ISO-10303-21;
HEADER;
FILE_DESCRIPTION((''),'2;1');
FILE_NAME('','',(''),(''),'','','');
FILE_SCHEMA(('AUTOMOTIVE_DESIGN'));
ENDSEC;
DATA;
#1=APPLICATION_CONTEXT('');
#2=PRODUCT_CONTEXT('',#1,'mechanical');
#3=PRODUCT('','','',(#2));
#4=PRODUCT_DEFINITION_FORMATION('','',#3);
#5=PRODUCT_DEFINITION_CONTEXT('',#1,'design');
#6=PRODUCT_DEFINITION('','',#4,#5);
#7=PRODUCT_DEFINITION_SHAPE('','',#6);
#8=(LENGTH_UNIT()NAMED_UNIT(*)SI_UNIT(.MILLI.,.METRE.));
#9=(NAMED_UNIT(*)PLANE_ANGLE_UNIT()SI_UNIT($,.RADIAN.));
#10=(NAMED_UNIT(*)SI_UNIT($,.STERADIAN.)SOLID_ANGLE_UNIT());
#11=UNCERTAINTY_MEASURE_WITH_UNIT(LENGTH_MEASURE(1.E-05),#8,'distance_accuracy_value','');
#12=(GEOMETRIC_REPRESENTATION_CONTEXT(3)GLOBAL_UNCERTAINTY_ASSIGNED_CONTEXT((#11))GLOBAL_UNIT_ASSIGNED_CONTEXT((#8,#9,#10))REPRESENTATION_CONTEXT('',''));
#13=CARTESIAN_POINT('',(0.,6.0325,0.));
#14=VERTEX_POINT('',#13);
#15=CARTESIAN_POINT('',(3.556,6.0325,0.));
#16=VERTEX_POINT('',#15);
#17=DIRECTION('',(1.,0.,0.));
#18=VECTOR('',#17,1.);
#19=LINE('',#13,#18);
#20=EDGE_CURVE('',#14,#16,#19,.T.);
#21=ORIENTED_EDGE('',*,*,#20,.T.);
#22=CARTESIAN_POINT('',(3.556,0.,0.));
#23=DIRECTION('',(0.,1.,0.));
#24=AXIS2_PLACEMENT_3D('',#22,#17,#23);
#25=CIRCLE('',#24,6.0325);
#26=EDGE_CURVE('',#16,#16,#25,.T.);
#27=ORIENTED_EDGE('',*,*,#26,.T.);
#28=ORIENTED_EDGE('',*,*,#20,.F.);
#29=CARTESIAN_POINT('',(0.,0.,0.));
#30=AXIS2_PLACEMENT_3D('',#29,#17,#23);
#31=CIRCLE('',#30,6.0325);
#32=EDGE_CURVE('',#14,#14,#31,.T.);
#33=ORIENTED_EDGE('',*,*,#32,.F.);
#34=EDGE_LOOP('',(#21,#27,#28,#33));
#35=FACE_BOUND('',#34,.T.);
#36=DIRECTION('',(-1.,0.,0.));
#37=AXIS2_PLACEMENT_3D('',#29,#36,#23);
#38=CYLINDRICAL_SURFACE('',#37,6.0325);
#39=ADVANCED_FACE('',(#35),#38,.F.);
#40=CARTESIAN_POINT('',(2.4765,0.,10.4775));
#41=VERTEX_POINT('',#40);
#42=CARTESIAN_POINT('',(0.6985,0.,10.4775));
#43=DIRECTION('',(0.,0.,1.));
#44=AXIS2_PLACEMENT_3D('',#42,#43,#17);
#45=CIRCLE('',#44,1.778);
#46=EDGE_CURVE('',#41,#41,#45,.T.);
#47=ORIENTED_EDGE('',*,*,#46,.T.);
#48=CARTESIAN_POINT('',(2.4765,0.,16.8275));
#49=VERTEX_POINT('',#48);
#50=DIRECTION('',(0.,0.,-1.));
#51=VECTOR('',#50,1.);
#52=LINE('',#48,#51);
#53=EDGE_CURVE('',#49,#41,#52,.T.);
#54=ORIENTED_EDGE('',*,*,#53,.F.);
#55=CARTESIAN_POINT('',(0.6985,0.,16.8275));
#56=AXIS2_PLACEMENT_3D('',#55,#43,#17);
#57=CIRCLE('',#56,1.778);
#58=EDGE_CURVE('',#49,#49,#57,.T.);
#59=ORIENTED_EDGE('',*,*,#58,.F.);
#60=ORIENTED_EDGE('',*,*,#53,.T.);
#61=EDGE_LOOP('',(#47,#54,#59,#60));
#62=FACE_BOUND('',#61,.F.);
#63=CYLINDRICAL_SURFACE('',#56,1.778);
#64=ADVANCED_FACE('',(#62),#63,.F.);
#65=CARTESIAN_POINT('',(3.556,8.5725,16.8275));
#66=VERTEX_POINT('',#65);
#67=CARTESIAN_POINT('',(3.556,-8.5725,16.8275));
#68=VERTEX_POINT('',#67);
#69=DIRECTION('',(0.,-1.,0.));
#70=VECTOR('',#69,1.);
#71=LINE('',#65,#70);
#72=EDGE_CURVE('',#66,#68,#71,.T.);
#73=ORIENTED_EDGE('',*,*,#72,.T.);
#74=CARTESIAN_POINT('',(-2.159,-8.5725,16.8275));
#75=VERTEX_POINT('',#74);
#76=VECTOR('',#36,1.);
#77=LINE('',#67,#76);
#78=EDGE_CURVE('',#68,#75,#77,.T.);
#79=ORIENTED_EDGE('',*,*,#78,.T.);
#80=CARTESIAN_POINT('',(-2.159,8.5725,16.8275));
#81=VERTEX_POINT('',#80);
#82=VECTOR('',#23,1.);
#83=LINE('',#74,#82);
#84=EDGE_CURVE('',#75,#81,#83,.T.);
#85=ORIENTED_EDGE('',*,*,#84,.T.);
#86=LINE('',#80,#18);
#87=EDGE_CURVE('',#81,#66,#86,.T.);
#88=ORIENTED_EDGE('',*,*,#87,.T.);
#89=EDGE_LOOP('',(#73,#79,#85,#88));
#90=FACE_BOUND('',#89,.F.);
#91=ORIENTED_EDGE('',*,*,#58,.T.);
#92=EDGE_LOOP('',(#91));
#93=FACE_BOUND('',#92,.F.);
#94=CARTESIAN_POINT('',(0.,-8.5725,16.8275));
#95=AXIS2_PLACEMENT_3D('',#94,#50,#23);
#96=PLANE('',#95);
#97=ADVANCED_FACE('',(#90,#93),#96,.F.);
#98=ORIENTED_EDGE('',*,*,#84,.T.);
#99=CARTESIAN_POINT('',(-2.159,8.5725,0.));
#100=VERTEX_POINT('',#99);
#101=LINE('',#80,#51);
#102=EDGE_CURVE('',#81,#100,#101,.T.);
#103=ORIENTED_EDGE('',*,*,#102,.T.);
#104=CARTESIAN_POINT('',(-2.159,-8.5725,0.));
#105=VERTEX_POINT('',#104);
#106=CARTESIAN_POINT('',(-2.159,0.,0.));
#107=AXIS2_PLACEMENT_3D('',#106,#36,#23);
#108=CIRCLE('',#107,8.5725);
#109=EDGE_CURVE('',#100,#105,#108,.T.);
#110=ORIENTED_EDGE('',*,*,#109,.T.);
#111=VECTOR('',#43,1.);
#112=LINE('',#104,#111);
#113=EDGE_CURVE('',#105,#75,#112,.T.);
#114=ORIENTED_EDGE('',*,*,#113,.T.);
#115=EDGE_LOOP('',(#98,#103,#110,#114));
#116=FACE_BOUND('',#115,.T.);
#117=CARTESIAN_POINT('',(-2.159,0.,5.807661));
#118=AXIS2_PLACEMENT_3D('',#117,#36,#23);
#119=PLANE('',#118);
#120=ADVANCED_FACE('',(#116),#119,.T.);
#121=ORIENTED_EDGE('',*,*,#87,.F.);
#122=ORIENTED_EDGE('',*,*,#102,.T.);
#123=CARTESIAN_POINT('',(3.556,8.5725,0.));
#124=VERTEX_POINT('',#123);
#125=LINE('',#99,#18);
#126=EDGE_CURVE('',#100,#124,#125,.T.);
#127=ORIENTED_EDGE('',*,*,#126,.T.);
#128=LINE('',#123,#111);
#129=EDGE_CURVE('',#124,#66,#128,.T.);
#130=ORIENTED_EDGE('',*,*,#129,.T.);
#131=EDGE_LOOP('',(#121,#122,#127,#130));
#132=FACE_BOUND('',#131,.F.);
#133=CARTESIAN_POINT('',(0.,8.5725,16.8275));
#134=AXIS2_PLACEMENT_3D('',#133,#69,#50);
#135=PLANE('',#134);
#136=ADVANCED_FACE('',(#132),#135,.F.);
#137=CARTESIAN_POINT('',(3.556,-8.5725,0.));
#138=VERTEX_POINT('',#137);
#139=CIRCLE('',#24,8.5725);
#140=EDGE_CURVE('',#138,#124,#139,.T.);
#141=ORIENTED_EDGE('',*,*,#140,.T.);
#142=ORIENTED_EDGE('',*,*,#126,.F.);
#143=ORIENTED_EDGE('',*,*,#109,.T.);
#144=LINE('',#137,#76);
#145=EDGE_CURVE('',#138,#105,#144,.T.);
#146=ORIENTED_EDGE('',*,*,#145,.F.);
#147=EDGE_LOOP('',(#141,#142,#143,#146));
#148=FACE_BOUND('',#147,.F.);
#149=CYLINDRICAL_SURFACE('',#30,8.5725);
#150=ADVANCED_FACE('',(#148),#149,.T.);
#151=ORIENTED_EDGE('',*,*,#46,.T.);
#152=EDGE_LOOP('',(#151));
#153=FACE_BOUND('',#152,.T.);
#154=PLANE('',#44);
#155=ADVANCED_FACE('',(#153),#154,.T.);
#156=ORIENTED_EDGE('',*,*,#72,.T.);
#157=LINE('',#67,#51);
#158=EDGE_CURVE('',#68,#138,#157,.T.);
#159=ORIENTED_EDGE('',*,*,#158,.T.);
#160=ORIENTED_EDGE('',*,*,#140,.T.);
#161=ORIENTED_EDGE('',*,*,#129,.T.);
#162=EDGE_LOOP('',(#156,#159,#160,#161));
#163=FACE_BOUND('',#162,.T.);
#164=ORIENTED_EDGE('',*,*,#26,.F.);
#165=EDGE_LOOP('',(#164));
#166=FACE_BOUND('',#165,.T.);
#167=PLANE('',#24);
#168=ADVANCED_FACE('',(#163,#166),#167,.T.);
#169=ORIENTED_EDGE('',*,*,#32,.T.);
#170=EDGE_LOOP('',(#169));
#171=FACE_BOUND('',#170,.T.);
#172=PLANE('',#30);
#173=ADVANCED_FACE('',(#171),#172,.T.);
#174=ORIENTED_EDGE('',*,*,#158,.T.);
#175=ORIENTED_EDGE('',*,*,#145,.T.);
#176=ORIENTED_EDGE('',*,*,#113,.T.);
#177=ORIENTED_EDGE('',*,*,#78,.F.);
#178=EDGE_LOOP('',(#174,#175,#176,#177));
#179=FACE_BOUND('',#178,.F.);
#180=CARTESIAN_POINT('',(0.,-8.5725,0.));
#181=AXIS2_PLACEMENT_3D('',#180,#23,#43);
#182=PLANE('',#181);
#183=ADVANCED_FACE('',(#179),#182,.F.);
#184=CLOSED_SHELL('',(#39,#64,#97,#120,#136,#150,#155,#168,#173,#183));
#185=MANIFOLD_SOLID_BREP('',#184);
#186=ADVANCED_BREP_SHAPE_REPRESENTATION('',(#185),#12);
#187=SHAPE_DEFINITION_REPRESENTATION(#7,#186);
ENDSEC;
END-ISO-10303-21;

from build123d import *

# Parameters (mm, degrees)
F0_R      = 6.0325
F1_DEPTH  = 3.556
F1_FACE_R = 6.0325
F2_DEPTH  = 2.159
F3_R      = 1.778
F4_DEPTH  = 6.35


with BuildPart() as f1:
    # F0 (on Right) → F1 (new body)
    with BuildSketch(Plane.YZ):
        with BuildLine():
            ThreePointArc((-8.5725, 0), (0, -8.5725), (8.5725, 0))
            ThreePointArc((8.5725, 0), (0, 8.5725), (-8.5725, 0))
        make_face()
        Circle(F0_R, mode=Mode.SUBTRACT)
        with BuildLine():
            ThreePointArc((-8.5725, 0), (0, 8.5725), (8.5725, 0))
            Line((8.5725, 0), (8.5725, 16.8275))
            Line((8.5725, 16.8275), (-8.5725, 16.8275))
            Line((-8.5725, 16.8275), (-8.5725, 0))
        make_face()
    extrude(amount=F1_DEPTH)

    # F1_face (on face) + F0 (on Right) → F2 (join)
    with BuildSketch(Plane(origin=(0, 0, 6.9314125223), x_dir=(0, 1, 0), z_dir=(-1, 0, 0))):
        with BuildLine():
            ThreePointArc((8.5725, 6.9314125223), (0, 15.5039125223), (-8.5725, 6.9314125223))
            Line((-8.5725, 6.9314125223), (-8.5725, -9.8960874777))
            Line((-8.5725, -9.8960874777), (8.5725, -9.8960874777))
            Line((8.5725, -9.8960874777), (8.5725, 6.9314125223))
        make_face()
        with Locations((0, 6.9314125223)):
            Circle(F1_FACE_R, mode=Mode.SUBTRACT)
    with BuildSketch(Plane.YZ):
        Circle(F0_R)
    extrude(amount=F2_DEPTH, dir=(-1, 0, 0))

    # F3 (on face) → F4 (cut)
    with BuildSketch(Plane.XY.offset(16.8275)):
        with Locations((0.6985, 0)):
            Circle(F3_R)
    extrude(amount=-F4_DEPTH, mode=Mode.SUBTRACT)


solid = f1.part
